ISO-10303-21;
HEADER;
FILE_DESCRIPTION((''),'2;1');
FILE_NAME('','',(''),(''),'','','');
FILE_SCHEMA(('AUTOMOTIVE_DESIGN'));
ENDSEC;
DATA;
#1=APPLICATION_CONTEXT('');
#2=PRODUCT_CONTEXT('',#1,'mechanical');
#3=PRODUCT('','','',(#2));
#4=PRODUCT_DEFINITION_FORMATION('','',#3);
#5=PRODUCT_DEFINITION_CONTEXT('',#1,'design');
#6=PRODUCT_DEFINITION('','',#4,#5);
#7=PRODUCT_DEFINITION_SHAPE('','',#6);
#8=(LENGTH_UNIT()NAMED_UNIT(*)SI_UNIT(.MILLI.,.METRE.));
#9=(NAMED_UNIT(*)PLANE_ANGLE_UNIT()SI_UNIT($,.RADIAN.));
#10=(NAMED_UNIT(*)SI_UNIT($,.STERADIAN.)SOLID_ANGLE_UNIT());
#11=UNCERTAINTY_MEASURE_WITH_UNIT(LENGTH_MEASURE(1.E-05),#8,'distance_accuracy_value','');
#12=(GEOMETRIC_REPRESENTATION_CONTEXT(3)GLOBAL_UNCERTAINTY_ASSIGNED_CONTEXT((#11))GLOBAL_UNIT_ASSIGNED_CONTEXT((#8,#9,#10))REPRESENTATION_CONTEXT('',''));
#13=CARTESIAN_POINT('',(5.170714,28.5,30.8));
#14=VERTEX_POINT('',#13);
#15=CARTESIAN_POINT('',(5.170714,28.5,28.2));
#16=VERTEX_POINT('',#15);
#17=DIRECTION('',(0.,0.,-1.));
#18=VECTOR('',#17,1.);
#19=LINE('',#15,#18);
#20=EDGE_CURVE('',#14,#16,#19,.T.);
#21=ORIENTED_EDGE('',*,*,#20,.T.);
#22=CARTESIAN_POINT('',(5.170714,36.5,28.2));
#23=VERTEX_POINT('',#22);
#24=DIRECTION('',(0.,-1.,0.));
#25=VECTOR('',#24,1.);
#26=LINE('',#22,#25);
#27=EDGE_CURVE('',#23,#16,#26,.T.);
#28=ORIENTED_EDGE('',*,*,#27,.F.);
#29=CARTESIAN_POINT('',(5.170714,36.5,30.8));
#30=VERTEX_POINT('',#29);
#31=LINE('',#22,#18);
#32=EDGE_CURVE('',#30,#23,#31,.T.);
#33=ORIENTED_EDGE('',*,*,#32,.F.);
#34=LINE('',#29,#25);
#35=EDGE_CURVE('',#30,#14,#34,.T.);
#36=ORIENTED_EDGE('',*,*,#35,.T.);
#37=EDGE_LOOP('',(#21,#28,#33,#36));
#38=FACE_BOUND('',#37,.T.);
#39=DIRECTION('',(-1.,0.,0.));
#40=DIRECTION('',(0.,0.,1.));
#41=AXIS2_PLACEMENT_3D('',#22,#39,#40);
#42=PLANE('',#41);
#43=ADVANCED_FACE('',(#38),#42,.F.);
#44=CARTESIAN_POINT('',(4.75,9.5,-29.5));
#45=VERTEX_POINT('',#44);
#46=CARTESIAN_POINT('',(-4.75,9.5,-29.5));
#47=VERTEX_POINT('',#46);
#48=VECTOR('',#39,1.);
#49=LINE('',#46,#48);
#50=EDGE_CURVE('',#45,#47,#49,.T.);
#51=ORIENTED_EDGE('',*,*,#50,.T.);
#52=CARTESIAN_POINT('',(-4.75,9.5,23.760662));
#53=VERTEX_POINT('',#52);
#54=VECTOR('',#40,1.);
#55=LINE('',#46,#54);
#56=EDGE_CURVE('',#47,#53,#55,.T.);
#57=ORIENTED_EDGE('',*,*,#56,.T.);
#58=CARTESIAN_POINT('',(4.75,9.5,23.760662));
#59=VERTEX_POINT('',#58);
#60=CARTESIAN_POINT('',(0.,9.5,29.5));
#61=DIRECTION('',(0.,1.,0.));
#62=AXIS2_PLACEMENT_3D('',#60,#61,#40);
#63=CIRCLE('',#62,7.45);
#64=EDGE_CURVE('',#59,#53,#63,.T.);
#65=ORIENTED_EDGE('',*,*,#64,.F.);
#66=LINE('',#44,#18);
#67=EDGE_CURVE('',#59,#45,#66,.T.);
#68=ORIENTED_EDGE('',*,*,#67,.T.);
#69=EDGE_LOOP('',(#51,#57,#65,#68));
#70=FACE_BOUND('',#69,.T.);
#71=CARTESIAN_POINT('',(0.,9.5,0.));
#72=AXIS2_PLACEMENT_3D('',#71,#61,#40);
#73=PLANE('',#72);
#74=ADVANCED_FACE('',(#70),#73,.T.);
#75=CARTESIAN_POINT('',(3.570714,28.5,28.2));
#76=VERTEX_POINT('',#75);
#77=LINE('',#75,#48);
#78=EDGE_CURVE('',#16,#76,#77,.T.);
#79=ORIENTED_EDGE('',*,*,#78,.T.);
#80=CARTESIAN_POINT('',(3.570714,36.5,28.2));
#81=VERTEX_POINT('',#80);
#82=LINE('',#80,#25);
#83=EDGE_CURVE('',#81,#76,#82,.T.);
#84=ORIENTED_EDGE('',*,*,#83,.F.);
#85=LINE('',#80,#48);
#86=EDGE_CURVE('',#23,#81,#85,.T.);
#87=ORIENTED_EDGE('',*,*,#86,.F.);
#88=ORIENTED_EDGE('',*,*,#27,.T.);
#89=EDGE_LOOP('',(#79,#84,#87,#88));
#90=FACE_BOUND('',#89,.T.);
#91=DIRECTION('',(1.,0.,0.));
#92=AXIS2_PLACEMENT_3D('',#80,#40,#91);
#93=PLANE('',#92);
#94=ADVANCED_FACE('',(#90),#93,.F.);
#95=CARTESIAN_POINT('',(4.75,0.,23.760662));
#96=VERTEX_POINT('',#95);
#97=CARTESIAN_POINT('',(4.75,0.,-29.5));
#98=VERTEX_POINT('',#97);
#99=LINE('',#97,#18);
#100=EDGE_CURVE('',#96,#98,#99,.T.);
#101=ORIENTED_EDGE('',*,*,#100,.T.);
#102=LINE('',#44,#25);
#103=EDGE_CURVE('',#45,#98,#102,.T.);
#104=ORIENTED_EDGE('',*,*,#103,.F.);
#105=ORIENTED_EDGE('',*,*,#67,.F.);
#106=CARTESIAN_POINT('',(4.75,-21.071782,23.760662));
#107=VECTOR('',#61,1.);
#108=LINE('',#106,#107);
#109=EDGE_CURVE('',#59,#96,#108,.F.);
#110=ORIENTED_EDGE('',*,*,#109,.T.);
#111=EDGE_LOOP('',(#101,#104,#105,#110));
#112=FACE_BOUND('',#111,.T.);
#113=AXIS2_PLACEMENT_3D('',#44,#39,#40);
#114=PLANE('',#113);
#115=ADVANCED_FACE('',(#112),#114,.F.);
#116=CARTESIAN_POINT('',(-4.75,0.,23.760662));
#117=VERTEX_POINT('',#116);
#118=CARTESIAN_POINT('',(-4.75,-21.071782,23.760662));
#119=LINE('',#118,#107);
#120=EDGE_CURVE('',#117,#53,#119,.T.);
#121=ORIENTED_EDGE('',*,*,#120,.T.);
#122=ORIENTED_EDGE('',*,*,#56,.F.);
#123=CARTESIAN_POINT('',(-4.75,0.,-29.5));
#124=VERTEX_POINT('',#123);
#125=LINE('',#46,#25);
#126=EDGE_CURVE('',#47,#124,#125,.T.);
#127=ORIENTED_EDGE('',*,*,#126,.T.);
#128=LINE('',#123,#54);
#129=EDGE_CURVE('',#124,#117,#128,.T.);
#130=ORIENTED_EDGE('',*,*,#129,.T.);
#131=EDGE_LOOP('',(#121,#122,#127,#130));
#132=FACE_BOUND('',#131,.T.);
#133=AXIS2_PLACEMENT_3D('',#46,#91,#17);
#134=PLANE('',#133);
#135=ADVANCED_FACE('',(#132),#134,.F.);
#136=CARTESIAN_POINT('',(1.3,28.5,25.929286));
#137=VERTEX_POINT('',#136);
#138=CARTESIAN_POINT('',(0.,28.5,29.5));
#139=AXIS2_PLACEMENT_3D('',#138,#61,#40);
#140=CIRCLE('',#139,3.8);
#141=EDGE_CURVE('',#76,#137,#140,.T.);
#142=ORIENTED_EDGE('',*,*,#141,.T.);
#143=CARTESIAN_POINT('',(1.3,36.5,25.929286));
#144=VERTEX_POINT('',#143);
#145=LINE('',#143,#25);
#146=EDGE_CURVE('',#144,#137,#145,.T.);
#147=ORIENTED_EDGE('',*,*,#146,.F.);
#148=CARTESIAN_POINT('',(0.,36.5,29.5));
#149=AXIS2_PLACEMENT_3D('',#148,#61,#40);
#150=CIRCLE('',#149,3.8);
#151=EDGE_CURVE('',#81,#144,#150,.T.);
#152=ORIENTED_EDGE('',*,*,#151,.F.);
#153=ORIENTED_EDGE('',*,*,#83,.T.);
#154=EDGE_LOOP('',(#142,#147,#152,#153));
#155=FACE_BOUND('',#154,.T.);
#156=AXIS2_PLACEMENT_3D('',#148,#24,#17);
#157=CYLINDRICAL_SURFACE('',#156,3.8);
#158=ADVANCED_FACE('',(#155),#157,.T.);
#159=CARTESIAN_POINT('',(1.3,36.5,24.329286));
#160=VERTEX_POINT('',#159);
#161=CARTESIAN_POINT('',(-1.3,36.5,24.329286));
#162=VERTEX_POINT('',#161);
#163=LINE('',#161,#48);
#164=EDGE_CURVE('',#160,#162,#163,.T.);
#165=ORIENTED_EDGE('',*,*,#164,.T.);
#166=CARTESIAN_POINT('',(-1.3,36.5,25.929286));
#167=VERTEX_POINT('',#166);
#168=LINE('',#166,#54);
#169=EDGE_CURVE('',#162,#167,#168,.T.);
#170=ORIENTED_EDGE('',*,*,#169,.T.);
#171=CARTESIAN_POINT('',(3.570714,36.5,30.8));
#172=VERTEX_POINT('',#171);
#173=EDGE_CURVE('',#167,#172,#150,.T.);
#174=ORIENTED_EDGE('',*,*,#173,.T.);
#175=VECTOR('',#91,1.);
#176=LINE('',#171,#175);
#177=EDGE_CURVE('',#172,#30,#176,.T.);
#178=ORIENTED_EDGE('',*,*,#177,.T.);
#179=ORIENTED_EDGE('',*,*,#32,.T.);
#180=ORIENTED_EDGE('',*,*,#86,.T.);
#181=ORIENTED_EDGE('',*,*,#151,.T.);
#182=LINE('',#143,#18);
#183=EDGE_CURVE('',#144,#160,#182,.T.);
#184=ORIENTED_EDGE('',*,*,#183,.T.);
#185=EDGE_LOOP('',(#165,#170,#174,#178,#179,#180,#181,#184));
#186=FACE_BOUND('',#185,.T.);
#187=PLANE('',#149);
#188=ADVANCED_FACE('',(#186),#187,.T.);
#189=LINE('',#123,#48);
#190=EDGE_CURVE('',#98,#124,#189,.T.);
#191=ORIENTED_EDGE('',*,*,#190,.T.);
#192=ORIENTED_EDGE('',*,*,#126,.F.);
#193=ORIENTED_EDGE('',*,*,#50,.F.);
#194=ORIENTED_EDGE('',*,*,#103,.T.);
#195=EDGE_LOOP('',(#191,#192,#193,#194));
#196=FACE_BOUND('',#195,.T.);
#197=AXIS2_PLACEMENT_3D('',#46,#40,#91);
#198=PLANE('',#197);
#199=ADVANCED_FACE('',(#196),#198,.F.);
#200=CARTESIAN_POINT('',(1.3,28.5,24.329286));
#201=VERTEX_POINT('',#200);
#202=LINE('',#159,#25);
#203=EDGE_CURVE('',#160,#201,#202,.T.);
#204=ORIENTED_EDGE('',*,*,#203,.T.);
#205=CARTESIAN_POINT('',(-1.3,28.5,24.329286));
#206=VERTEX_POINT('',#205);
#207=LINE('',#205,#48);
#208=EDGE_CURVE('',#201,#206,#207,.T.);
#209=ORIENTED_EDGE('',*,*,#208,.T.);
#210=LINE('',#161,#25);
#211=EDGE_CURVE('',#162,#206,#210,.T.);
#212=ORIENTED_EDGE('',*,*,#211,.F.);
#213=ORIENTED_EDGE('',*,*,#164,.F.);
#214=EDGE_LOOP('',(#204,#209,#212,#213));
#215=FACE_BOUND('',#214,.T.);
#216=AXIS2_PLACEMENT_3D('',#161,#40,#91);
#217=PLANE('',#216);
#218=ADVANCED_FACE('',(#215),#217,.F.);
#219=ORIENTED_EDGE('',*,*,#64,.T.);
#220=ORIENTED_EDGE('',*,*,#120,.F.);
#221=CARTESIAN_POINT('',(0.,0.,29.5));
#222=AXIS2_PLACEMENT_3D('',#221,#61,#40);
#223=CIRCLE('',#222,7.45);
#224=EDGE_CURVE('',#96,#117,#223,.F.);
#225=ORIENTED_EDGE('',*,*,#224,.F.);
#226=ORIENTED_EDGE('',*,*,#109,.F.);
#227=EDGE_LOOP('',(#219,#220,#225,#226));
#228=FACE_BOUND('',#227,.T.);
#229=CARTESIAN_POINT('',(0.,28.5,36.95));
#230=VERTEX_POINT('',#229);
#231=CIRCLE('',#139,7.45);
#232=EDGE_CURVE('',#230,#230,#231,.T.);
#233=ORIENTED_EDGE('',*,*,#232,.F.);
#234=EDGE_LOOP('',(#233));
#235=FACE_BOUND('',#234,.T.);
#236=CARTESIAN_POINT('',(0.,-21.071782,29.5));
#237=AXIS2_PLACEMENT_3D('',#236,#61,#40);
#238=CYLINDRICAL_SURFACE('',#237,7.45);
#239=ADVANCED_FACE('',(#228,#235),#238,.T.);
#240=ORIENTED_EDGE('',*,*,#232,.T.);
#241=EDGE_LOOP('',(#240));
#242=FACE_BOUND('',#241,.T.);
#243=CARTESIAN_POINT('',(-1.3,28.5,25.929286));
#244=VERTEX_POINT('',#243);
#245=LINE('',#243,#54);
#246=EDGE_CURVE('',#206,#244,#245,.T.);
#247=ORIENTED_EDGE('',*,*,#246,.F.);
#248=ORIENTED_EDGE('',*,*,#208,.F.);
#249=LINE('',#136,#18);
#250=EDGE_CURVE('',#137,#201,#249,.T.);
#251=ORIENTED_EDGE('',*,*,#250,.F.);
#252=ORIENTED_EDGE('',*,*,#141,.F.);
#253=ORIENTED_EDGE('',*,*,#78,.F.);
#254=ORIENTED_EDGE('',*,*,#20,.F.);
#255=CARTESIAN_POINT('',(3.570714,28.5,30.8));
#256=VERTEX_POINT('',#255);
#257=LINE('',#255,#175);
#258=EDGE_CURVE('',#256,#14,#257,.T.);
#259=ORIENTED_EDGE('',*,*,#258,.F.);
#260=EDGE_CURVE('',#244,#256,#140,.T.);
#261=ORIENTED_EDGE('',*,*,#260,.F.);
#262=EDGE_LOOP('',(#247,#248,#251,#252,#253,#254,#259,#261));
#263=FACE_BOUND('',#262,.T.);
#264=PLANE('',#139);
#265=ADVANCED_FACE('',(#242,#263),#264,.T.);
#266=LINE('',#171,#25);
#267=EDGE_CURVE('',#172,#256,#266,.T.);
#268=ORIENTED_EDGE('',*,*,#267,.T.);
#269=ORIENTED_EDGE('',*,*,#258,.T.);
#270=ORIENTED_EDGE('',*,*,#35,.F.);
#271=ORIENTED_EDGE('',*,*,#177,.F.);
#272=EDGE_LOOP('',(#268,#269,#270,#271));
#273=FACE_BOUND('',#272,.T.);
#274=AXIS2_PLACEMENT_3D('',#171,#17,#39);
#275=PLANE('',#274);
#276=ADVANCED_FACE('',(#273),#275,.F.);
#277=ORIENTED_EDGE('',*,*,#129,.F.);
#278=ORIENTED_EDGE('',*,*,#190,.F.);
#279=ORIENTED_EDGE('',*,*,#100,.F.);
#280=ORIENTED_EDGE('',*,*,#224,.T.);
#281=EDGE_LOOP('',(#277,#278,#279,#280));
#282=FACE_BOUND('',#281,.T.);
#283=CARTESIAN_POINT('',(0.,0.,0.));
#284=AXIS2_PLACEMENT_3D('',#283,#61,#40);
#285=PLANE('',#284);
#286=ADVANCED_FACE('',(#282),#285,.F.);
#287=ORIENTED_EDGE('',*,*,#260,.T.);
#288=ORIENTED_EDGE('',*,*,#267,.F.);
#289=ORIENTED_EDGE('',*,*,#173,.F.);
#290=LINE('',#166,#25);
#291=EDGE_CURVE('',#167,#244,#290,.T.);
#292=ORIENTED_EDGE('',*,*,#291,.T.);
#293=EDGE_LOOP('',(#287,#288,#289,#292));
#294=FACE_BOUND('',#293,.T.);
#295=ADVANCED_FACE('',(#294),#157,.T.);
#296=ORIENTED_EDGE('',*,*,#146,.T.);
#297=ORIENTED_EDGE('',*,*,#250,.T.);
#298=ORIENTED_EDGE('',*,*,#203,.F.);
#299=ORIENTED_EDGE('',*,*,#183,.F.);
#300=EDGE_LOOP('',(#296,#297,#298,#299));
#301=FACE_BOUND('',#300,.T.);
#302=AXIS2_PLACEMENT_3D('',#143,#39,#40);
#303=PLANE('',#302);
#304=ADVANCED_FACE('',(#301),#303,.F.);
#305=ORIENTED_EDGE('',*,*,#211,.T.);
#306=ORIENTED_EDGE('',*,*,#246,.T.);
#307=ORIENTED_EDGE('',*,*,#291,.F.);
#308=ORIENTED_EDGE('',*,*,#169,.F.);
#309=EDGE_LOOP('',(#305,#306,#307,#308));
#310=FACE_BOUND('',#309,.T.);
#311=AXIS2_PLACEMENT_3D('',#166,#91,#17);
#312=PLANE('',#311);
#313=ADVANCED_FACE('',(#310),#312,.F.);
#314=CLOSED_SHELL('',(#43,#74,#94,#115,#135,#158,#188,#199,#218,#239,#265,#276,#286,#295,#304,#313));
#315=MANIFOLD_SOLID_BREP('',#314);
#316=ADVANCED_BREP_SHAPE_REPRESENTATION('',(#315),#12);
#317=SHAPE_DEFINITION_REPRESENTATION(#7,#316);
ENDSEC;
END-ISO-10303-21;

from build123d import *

# Parameters (mm, degrees)
SKETCH1_W                = 9.5
SKETCH1_H                = 59
BOSS_EXTRUDE1_DEPTH      = 9.5
SKETCH2_R                = 7.45
BOSS_EXTRUDE2_DEPTH      = 19
BOSS_EXTRUDE2_DEPTH_BACK = 9.5
BOSS_EXTRUDE3_DEPTH      = 8


with BuildPart() as part:
    # Sketch1 → Boss-Extrude1 (new body)
    with BuildSketch(Plane(origin=(0, 0, 0), x_dir=(1, 0, 0), z_dir=(0, 1, 0))):
        Rectangle(SKETCH1_W, SKETCH1_H)
    extrude(amount=BOSS_EXTRUDE1_DEPTH)

    # Sketch2 → Boss-Extrude2 (add, two sides)
    with BuildSketch(Plane(origin=(0, 9.5, 0), x_dir=(1, 0, 0), z_dir=(0, 1, 0))) as boss_extrude2_sk:
        with Locations((0, -29.5)):
            Circle(SKETCH2_R)
    extrude(amount=BOSS_EXTRUDE2_DEPTH)
    extrude(boss_extrude2_sk.sketch, amount=-BOSS_EXTRUDE2_DEPTH_BACK)

    # Sketch3 → Boss-Extrude3 (add)
    with BuildSketch(Plane(origin=(0, 28.5, 0), x_dir=(1, 0, 0), z_dir=(0, 1, 0))):
        with BuildLine():
            Line((-1.3, -25.929285786), (-1.3, -24.329285786))
            Line((-1.3, -24.329285786), (1.3, -24.329285786))
            Line((1.3, -24.329285786), (1.3, -25.929285786))
            ThreePointArc((1.3, -25.929285786), (2.687005769, -26.812994231), (3.570714214, -28.2))
            Line((3.570714214, -28.2), (5.170714214, -28.2))
            Line((5.170714214, -28.2), (5.170714214, -30.8))
            Line((5.170714214, -30.8), (3.570714214, -30.8))
            ThreePointArc((3.570714214, -30.8), (-2.687005769, -32.187005769), (-1.3, -25.929285786))
        make_face()
    extrude(amount=BOSS_EXTRUDE3_DEPTH)


solid = part.part
